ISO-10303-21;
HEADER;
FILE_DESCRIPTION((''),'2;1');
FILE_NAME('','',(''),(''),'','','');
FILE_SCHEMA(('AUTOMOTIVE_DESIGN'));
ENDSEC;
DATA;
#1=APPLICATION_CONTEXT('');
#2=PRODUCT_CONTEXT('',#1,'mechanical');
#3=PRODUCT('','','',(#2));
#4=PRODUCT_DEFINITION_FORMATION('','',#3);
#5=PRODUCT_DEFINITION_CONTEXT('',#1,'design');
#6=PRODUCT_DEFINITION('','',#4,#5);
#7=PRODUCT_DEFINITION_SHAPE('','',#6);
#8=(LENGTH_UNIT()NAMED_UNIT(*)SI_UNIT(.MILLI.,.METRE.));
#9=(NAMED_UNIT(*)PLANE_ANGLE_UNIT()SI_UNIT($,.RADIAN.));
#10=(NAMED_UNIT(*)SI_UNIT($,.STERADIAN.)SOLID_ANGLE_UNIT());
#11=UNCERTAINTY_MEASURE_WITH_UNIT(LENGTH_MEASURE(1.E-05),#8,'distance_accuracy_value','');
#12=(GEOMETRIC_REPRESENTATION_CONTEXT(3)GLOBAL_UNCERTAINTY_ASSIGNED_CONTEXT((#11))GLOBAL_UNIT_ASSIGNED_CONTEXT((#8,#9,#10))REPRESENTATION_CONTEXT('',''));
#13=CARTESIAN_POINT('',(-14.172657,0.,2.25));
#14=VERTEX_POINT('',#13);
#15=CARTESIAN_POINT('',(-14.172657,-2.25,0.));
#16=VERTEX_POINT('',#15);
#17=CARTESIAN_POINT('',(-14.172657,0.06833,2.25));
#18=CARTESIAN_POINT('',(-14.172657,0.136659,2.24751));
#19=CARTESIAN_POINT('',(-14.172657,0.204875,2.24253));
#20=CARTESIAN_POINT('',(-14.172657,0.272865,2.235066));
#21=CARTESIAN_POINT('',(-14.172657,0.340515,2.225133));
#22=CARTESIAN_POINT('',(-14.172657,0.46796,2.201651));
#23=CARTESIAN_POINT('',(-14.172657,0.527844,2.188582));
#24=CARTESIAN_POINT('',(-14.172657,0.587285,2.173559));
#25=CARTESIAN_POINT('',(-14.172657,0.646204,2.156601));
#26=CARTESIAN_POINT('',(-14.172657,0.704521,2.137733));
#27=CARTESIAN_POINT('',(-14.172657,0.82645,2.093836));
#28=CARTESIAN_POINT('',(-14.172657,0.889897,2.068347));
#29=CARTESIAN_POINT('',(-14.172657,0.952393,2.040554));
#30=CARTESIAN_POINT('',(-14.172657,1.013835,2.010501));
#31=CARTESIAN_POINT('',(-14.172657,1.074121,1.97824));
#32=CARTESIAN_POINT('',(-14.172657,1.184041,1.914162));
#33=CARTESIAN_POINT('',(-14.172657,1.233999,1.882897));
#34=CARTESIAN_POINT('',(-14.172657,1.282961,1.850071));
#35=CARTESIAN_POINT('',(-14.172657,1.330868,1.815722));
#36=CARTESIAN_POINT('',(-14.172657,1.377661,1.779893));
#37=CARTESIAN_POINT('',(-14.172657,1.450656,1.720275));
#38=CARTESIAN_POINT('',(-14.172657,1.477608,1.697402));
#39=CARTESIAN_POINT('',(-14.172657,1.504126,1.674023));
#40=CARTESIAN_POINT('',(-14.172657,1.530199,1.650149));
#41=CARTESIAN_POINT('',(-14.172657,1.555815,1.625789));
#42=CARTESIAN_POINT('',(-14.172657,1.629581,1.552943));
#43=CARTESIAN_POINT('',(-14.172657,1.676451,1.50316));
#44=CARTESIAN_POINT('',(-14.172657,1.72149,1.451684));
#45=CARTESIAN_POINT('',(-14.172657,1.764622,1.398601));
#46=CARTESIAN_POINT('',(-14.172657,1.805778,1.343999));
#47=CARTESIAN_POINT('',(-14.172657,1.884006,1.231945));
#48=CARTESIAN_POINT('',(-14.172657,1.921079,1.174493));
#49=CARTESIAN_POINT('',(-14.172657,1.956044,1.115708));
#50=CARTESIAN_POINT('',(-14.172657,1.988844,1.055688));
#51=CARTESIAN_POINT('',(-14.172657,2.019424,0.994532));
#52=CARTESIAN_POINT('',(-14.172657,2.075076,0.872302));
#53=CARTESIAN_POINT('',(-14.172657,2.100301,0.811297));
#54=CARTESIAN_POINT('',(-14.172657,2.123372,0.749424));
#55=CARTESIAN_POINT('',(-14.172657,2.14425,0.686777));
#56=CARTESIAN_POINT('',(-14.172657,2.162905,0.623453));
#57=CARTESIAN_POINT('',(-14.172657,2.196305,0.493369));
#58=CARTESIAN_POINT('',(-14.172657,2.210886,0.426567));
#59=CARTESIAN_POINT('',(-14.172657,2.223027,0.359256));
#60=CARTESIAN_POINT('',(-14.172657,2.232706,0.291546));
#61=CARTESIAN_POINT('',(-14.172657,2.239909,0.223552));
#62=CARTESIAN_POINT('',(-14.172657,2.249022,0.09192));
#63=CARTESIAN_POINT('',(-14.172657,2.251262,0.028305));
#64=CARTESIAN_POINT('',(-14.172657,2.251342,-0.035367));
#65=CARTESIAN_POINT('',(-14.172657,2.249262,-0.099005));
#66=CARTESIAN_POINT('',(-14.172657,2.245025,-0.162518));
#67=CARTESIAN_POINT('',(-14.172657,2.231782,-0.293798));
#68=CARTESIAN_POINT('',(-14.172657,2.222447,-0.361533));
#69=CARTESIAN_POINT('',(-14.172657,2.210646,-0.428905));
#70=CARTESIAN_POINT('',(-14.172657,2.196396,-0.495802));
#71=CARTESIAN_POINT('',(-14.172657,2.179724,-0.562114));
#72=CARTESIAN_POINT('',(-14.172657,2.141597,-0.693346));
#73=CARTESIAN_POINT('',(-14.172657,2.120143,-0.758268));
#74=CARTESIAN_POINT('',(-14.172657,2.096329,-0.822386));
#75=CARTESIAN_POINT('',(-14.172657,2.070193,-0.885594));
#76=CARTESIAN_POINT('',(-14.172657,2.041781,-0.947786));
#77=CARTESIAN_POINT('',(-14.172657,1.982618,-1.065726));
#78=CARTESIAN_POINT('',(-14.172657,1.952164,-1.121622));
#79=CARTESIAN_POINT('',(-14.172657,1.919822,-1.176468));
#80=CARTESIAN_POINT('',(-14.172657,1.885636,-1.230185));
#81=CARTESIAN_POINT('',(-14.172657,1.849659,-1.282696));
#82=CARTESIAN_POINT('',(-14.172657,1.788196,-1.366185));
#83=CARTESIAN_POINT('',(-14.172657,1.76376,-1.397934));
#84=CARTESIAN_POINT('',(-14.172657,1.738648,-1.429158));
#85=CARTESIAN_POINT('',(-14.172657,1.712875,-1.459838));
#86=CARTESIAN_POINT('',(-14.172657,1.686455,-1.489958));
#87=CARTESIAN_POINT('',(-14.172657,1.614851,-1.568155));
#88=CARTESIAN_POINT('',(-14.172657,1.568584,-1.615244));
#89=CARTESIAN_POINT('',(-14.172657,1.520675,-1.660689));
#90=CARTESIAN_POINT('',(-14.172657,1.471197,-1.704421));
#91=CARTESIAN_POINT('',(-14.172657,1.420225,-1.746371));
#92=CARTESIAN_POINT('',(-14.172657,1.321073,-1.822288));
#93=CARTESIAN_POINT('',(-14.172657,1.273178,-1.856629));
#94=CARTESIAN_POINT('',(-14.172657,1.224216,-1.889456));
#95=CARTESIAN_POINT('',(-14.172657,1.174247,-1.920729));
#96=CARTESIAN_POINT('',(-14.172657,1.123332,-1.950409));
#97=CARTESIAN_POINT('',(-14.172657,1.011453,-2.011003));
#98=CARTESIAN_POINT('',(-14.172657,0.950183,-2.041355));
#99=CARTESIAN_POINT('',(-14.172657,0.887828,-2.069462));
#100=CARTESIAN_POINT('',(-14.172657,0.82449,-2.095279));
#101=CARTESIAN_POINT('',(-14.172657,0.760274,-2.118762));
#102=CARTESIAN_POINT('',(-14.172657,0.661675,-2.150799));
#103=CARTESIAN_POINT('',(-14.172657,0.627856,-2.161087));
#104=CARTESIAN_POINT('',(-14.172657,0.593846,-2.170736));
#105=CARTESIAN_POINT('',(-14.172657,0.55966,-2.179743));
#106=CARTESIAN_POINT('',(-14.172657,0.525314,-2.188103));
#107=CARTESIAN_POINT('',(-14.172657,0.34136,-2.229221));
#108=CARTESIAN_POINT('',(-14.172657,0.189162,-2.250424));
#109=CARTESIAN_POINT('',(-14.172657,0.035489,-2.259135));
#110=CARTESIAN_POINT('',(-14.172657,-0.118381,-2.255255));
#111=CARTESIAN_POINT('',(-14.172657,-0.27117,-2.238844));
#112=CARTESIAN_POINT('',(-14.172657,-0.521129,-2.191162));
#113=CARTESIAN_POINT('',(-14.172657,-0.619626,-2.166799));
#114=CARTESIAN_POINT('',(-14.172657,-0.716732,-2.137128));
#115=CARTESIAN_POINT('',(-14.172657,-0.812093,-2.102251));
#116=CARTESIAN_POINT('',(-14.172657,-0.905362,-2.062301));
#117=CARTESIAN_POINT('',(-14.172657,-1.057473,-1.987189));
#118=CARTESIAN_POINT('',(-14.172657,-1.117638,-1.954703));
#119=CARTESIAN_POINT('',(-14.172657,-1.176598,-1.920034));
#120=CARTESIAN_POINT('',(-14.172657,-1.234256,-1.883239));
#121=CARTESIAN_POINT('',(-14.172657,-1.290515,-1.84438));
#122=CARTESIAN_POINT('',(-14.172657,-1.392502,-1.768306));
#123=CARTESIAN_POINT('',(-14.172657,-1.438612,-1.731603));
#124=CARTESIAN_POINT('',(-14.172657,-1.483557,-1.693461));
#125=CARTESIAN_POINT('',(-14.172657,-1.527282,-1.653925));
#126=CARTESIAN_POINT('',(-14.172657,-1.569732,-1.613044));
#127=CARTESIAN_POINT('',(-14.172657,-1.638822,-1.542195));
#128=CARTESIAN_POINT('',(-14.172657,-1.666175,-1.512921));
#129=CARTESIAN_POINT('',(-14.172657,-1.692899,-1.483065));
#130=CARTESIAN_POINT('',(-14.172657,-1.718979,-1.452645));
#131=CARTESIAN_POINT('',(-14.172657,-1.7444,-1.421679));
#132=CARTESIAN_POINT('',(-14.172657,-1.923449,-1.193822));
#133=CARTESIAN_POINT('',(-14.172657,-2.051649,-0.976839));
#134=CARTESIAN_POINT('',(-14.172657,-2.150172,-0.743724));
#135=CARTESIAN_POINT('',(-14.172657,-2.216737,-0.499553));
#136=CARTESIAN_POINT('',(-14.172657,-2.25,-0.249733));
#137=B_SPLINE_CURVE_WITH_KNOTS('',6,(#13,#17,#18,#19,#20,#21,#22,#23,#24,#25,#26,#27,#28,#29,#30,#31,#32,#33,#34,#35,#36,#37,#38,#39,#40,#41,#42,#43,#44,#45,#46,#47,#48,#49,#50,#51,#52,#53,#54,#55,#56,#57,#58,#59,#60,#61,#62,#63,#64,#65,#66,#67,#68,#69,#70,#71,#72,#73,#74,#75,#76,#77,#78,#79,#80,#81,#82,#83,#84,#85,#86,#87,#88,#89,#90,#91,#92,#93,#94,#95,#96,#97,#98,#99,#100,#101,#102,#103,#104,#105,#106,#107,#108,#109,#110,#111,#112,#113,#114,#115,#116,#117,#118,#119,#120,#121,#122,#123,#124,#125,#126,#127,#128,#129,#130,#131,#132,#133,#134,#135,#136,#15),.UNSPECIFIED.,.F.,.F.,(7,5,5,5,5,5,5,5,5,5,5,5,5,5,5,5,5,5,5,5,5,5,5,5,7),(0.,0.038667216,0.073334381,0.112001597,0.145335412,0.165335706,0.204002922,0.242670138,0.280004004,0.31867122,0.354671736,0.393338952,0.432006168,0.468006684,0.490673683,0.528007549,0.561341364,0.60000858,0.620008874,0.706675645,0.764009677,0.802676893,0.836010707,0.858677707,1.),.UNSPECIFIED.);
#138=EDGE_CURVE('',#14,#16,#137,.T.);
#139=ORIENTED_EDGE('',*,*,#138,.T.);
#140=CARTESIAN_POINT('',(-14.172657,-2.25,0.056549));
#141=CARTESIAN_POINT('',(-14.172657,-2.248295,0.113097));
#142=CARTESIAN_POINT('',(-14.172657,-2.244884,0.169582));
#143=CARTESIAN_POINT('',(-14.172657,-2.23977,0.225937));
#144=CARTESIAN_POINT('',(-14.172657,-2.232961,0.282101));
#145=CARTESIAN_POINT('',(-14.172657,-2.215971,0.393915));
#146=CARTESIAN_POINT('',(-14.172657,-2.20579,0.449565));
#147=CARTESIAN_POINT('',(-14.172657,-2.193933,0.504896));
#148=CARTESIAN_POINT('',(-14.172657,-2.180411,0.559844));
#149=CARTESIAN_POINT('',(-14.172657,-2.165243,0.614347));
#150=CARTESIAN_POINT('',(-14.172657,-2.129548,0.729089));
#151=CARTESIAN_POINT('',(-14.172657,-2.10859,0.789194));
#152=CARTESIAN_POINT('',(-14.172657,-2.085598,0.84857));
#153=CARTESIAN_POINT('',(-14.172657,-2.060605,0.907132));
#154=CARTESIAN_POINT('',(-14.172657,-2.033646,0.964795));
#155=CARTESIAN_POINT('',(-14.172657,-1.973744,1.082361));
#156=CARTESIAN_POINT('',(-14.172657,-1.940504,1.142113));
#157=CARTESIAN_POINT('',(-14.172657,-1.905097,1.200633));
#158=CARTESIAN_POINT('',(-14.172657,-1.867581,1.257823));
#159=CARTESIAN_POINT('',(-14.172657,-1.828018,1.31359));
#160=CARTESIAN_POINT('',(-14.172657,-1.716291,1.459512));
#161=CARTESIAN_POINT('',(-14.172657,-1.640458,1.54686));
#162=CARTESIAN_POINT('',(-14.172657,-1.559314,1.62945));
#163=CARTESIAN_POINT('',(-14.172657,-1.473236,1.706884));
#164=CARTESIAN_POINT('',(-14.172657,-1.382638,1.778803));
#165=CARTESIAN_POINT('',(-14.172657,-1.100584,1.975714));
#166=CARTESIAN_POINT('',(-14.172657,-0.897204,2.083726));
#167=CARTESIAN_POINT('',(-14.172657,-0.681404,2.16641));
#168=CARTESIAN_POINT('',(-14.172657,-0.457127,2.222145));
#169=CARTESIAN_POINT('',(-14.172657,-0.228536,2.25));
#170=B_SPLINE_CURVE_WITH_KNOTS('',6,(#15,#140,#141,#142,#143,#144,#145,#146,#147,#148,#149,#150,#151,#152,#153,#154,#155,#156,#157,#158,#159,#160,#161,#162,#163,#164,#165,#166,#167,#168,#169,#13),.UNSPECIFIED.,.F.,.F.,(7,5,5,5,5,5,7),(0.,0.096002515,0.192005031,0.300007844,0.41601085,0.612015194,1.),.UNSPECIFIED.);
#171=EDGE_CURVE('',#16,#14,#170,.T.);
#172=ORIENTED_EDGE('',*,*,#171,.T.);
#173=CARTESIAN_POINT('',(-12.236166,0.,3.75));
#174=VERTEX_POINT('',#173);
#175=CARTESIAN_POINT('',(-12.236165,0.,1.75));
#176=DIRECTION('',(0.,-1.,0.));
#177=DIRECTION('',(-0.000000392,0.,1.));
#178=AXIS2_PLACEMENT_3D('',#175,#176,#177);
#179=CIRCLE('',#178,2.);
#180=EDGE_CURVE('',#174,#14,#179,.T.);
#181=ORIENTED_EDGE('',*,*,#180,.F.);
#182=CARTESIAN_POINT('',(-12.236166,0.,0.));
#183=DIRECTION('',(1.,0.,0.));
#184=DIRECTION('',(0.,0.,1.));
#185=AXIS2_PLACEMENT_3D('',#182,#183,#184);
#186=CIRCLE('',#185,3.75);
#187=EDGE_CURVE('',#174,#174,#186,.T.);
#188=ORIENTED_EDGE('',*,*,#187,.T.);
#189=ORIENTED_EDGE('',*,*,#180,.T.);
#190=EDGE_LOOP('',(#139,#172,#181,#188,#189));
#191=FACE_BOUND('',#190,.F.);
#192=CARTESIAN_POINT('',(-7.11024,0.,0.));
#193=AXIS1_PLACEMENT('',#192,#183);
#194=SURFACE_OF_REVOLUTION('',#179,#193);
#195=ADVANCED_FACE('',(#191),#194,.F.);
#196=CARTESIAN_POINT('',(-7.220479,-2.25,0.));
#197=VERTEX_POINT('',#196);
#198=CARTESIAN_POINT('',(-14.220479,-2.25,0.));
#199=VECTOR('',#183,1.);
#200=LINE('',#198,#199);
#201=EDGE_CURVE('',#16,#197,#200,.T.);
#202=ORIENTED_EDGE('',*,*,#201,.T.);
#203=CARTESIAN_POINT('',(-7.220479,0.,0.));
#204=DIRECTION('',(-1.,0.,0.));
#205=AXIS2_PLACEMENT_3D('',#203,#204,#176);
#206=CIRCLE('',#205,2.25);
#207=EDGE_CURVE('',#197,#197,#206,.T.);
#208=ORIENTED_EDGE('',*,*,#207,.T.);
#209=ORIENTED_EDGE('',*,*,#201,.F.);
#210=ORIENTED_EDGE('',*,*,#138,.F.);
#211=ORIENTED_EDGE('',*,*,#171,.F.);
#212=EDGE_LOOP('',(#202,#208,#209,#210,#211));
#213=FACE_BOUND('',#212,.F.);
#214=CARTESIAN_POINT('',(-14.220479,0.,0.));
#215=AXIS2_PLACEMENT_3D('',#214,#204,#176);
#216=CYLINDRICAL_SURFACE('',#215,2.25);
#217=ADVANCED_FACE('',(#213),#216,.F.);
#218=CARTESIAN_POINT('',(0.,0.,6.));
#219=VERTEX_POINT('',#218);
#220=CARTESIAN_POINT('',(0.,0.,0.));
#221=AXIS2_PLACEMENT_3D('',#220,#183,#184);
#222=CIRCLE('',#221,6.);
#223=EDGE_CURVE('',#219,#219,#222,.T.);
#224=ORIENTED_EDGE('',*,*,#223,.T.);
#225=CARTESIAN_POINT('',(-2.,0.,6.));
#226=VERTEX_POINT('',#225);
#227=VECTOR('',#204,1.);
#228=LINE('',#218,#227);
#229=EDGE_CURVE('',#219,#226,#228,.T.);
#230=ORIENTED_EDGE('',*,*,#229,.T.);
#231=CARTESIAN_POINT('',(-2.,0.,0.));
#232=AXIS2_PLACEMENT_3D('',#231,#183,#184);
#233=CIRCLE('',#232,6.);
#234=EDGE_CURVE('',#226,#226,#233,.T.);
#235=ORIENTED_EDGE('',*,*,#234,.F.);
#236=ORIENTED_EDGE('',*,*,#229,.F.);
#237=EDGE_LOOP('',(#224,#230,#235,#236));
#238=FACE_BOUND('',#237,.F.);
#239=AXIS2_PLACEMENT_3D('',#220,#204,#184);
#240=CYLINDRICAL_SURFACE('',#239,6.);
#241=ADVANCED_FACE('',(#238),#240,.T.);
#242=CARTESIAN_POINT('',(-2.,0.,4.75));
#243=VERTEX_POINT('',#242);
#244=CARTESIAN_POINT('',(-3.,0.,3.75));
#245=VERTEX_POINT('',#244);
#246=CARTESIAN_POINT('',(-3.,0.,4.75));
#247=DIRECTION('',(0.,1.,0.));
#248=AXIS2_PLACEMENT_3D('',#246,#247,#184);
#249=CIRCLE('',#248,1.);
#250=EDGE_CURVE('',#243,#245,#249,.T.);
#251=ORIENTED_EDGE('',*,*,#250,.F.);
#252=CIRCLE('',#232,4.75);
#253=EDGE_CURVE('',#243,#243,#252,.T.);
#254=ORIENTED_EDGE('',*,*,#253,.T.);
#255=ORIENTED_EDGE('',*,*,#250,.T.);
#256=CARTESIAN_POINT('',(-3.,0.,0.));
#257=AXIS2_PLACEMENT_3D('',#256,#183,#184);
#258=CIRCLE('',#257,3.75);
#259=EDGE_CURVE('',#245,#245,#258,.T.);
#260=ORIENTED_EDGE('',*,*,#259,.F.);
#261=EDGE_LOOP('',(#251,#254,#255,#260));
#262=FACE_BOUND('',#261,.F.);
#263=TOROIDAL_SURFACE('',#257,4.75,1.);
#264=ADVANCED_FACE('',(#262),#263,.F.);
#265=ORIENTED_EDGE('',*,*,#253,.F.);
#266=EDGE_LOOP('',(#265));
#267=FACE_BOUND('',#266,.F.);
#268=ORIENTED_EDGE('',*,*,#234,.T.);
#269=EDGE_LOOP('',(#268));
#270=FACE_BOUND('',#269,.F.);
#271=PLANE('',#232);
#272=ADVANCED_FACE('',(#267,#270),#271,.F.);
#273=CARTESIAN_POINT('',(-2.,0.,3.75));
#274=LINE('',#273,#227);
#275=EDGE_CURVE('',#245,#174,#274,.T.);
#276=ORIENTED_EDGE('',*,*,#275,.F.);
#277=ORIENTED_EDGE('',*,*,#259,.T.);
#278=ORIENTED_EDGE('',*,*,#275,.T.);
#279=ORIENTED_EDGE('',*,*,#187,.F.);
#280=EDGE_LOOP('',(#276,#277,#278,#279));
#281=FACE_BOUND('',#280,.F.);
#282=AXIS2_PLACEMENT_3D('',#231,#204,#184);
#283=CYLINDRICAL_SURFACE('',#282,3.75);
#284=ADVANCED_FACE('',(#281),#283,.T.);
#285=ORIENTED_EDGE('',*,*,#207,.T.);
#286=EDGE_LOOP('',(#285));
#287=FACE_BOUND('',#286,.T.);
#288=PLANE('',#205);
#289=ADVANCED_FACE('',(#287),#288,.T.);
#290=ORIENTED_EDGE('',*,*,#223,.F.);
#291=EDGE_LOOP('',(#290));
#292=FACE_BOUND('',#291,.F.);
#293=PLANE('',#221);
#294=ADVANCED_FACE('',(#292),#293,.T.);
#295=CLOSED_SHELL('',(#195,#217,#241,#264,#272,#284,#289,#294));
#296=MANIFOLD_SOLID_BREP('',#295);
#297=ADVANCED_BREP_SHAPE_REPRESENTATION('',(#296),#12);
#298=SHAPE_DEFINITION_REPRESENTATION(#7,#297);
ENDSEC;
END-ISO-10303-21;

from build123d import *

# Parameters (mm, degrees)
F2_R     = 1
F3_R     = 2.25
F4_DEPTH = 7


with BuildPart() as f1:
    # F0 (on Front) → F1 (revolve)
    with BuildSketch(Plane.XZ):
        with BuildLine():
            Line((-14.220479, 0), (0, 0))
            Line((0, 0), (0, 6))
            Line((0, 6), (-2, 6))
            Line((-2, 6), (-2, 3.75))
            Line((-2, 3.75), (-11, 3.75))
            Line((-11, 3.75), (-12.236166, 3.75))
            ThreePointArc((-12.236166, 3.75), (-13.559041, 3.25), (-14.220479, 2))
            Line((-14.220479, 2), (-14.220479, 0))
        make_face()
    revolve(axis=Axis((-7.11024, 0, 0), (1, 0, 0)))

    # F2
    f2_edges = [f1.edges().sort_by_distance(p)[0] for p in [
        (-2, 0, -3.75),
    ]]
    fillet(f2_edges, radius=F2_R)

    # F3 (on face) → F4 (cut)
    with BuildSketch(Plane(origin=(-14.220479, 0, 0), x_dir=(0, -1, 0), z_dir=(-1, 0, 0))):
        Circle(F3_R)
    extrude(amount=-F4_DEPTH, mode=Mode.SUBTRACT)


solid = f1.part
